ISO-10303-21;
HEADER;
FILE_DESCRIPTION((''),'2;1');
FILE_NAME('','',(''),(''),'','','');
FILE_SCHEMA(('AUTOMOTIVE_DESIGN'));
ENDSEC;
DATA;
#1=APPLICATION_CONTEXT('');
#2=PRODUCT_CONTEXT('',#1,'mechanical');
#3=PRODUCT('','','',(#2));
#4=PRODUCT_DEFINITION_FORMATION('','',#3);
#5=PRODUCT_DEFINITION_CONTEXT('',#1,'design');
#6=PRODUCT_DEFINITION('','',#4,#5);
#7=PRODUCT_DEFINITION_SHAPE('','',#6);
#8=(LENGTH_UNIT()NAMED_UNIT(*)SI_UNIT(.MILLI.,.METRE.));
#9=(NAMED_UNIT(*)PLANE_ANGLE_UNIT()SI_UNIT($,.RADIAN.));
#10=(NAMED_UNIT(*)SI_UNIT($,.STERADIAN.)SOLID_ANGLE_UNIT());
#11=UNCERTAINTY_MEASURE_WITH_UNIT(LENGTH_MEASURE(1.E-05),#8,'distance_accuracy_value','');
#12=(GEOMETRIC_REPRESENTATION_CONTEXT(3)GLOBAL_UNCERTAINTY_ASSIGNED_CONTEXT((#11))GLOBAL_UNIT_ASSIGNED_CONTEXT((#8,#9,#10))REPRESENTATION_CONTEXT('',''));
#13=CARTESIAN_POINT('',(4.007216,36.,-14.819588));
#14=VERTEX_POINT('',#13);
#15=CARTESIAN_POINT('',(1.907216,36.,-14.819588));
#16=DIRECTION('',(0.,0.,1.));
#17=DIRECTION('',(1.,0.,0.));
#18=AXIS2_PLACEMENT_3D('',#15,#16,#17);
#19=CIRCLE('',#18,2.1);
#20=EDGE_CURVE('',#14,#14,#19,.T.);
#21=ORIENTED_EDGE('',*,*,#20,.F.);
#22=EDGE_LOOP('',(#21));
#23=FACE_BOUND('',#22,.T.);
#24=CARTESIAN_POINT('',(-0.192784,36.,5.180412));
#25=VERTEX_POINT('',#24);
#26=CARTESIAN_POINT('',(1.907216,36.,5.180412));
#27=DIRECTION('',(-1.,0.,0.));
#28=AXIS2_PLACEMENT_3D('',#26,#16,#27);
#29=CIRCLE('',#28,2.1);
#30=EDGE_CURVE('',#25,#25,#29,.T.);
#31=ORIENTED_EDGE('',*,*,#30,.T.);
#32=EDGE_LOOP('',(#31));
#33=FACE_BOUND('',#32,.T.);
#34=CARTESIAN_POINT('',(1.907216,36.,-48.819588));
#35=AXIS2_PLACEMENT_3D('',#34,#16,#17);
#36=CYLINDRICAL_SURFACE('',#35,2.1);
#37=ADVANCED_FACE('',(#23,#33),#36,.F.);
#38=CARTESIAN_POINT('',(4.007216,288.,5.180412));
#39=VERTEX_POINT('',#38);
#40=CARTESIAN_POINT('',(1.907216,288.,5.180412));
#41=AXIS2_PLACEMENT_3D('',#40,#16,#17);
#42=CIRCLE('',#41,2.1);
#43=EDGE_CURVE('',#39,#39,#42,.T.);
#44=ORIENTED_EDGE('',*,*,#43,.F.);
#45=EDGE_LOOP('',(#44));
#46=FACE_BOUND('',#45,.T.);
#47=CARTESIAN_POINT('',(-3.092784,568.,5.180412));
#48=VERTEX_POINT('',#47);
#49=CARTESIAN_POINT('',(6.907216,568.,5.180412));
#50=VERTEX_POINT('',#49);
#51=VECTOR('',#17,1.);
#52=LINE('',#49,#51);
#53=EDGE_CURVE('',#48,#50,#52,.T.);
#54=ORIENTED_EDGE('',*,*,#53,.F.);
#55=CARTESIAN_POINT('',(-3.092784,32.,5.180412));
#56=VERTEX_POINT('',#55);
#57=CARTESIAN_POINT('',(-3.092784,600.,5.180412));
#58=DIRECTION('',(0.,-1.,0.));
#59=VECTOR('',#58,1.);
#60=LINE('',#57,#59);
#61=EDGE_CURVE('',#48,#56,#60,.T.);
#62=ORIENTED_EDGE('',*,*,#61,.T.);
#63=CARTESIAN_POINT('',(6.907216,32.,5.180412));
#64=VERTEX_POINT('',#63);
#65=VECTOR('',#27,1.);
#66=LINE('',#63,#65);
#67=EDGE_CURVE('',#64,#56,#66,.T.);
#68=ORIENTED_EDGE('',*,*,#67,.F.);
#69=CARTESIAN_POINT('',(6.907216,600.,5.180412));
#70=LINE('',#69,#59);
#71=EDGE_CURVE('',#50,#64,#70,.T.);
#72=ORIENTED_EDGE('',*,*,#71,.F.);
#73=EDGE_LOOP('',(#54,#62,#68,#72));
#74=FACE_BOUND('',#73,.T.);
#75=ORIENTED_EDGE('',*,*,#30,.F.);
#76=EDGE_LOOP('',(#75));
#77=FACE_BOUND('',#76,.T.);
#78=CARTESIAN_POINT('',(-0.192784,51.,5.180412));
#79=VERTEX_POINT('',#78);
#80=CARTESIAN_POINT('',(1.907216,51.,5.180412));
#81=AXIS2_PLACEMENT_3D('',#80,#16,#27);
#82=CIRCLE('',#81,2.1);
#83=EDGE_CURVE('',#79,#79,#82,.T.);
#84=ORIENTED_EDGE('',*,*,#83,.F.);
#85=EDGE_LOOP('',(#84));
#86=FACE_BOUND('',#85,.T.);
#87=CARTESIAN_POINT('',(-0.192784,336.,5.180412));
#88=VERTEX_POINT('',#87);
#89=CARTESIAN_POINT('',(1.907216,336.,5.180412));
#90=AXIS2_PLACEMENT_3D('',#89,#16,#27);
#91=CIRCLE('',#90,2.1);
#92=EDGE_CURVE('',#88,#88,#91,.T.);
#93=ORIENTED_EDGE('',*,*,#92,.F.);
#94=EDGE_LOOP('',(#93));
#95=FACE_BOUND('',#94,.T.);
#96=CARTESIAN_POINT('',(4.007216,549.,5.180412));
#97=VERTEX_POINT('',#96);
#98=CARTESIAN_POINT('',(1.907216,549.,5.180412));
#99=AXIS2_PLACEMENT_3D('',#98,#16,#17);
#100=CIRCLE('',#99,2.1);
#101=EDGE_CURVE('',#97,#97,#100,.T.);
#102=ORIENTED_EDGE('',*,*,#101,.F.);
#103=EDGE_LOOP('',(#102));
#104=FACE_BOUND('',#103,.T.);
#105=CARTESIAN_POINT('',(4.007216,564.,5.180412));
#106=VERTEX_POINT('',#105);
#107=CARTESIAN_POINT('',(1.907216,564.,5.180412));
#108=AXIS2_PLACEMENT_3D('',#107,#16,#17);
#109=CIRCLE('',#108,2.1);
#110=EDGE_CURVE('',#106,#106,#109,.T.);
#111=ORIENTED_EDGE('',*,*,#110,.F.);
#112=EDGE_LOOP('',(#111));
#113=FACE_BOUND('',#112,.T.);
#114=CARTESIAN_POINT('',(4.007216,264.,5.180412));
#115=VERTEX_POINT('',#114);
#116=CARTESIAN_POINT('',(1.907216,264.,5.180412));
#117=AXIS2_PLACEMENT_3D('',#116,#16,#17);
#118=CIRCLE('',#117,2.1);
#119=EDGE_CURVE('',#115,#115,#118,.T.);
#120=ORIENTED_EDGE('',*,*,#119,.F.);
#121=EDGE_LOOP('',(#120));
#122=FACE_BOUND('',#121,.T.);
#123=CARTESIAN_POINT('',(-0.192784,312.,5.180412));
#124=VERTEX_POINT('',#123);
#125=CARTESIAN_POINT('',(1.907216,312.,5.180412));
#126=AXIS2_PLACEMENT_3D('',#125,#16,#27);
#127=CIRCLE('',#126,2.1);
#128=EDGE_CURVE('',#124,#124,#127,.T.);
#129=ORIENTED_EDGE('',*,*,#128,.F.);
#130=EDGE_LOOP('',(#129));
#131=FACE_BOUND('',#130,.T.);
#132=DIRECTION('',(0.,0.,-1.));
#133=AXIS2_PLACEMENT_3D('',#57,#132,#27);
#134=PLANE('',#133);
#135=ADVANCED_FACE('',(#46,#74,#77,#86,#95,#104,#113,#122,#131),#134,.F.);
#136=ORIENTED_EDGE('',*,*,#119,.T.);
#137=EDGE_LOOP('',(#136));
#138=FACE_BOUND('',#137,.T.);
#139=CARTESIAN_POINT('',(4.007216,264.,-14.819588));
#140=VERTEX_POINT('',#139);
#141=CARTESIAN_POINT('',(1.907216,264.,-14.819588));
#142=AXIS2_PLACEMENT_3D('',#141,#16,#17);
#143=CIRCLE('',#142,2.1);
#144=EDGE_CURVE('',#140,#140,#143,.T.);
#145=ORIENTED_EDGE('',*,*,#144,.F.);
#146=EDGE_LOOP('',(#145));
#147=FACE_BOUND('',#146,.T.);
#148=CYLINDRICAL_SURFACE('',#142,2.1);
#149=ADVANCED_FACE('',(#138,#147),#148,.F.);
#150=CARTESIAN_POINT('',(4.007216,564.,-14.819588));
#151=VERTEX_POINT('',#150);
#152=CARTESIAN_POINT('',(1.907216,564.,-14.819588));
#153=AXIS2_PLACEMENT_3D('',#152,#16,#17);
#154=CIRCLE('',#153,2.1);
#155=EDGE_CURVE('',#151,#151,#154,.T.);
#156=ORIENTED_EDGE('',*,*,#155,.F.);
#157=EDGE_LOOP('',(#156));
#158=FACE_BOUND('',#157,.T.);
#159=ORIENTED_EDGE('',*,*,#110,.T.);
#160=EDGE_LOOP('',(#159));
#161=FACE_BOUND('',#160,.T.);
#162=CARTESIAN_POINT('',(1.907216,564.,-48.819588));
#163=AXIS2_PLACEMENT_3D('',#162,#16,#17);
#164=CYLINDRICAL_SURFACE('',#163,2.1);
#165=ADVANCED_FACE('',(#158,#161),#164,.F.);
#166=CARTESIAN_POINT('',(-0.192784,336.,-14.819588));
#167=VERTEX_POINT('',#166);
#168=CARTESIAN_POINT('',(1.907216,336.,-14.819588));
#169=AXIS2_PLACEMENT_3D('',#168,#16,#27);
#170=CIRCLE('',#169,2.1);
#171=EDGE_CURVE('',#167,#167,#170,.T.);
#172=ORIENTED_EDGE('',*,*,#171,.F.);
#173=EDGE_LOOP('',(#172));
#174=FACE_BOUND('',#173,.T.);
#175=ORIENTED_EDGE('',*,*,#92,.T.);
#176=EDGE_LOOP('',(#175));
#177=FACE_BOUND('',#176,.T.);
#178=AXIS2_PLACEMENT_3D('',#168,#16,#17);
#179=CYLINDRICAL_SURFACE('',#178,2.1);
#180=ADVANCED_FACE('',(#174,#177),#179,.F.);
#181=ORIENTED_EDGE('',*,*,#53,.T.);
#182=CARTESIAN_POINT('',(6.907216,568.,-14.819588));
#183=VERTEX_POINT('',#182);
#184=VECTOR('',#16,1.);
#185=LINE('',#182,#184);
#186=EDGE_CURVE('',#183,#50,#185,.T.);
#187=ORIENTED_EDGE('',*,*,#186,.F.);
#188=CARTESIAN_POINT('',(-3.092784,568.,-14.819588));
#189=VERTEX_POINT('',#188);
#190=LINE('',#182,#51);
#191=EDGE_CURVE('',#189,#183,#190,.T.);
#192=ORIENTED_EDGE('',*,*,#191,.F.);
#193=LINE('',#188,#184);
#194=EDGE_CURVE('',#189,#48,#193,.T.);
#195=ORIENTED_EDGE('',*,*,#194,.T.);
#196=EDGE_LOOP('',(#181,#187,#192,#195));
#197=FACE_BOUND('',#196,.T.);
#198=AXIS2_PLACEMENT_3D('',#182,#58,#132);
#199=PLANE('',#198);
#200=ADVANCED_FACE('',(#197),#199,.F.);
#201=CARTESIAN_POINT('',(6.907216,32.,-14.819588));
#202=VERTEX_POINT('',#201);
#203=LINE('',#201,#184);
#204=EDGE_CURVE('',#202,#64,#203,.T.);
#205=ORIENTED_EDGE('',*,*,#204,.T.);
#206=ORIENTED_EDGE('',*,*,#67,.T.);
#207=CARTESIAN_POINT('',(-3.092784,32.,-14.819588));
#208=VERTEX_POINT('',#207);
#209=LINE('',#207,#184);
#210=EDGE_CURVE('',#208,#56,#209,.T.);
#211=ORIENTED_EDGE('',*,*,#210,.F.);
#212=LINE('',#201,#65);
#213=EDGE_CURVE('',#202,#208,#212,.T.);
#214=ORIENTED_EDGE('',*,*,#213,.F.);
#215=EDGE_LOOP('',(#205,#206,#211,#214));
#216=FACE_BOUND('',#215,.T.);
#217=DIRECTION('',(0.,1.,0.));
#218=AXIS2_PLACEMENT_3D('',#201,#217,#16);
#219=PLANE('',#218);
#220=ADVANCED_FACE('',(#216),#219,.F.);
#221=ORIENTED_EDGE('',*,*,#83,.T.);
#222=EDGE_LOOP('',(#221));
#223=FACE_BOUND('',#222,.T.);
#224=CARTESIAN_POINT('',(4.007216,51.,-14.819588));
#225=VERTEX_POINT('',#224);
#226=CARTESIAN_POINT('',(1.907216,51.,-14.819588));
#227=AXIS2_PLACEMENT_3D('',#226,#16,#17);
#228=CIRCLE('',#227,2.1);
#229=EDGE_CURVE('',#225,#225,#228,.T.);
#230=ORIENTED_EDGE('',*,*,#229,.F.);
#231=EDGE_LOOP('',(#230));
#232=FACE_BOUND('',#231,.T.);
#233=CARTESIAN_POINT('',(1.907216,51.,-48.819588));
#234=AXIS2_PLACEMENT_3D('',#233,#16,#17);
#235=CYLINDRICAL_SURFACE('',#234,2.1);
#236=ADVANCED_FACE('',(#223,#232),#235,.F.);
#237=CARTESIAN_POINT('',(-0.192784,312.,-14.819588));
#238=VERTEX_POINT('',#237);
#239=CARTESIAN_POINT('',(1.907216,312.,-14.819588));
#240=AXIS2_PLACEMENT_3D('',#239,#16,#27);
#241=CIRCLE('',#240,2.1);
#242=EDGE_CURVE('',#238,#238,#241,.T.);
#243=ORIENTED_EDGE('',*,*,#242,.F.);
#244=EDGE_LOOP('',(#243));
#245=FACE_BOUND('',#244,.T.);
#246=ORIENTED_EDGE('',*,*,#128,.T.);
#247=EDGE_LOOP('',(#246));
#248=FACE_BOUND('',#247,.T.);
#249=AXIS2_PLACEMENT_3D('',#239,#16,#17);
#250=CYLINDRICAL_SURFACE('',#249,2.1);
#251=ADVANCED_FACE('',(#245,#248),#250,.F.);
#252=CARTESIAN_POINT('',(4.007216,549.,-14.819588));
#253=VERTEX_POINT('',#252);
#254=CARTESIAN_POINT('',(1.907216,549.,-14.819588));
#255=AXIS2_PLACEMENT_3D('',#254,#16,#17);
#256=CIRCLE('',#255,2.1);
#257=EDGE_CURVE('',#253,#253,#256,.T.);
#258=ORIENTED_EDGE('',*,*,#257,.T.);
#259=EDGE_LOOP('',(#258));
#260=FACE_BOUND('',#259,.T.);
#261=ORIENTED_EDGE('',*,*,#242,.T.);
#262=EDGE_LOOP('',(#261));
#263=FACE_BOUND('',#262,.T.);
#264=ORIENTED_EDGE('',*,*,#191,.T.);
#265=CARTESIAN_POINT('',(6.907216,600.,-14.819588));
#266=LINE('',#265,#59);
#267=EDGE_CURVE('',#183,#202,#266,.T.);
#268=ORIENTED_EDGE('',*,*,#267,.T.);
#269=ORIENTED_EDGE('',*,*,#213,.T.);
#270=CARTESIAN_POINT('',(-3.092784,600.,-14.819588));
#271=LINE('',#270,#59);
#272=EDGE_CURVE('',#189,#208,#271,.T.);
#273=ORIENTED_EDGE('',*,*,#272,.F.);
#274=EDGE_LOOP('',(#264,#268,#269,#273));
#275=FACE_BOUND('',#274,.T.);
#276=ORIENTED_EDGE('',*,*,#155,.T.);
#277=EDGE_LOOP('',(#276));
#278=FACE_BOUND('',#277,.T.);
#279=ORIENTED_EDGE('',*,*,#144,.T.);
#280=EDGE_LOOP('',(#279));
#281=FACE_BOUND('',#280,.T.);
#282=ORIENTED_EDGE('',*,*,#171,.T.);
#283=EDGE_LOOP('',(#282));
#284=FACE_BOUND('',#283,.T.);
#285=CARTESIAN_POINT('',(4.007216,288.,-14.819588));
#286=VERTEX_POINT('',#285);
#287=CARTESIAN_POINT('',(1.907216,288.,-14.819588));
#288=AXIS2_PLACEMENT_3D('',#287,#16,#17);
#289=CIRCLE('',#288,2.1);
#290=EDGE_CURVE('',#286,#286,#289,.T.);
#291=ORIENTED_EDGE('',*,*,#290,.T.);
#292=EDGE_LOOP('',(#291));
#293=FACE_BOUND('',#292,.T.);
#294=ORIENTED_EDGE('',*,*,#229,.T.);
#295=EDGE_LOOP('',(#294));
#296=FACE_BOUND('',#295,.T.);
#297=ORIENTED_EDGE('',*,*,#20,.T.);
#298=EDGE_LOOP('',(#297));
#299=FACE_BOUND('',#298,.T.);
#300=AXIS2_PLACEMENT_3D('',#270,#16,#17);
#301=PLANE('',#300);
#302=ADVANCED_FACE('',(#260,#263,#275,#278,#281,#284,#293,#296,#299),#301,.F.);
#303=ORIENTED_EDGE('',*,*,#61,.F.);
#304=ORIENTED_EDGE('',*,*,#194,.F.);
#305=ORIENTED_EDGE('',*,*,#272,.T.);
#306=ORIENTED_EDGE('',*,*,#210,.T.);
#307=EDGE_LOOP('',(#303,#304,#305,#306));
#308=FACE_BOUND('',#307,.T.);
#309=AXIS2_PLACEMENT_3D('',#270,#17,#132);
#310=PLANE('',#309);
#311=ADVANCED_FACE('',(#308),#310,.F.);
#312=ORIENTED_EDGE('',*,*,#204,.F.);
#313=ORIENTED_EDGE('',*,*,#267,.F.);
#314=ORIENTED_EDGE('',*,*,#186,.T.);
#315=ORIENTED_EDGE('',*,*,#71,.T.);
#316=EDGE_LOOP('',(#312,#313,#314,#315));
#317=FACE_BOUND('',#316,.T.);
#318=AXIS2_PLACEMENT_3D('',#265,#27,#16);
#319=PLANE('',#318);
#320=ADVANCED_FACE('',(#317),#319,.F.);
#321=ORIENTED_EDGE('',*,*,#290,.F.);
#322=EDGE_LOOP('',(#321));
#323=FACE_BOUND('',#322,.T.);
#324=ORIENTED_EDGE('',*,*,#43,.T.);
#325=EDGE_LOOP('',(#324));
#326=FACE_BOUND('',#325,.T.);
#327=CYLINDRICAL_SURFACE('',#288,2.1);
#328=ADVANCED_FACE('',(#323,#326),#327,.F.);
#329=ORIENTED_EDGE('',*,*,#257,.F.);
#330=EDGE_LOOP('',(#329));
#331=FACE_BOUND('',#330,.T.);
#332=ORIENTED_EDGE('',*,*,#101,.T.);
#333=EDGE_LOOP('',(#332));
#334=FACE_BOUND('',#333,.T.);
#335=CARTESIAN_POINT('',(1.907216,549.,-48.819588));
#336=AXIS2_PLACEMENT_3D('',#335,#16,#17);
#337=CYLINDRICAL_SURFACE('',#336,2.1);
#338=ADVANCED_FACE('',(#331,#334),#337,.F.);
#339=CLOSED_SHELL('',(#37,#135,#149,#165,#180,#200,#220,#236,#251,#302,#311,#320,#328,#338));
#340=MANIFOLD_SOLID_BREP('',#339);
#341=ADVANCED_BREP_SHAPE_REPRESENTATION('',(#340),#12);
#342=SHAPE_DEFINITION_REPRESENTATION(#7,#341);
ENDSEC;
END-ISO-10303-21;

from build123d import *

# Parameters (mm, degrees)
SKETCH_1_W          = 10
SKETCH_1_H          = 20
EXTRUDE_1_DEPTH     = 600
SKETCH_6_W          = 20
SKETCH_6_H          = 10
CUT_EXTRUDE_4_DEPTH = 50
SKETCH_7_W          = 10
SKETCH_7_H          = 10
CUT_EXTRUDE_5_DEPTH = 82
SKETCH_2_R          = 2.1
CUT_EXTRUDE_6_DEPTH = 591.379293031
SKETCH_8_R          = 2.1
CUT_EXTRUDE_7_DEPTH = 54
SKETCH_9_W          = 10
SKETCH_9_H          = 22
CUT_EXTRUDE_8_DEPTH = 591.379293031


with BuildPart() as part:
    # 草图1 → 凸台-拉伸1 (new body)
    with BuildSketch(Plane(origin=(0, 0, 0), x_dir=(1, 0, 0), z_dir=(0, 1, 0))):
        with Locations((1.907216495, 4.819587629)):
            Rectangle(SKETCH_1_W, SKETCH_1_H)
    extrude(amount=EXTRUDE_1_DEPTH)

    # 草图6 → 切除-拉伸4 (cut)
    with BuildSketch(Plane(origin=(0, 0, -14.819587629), x_dir=(-1, 0, 0), z_dir=(0, 0, -1))):
        with Locations((3.092783505, 595)):
            Rectangle(SKETCH_6_W, SKETCH_6_H)
    extrude(amount=-CUT_EXTRUDE_4_DEPTH, mode=Mode.SUBTRACT)

    # 草图7 → 切除-拉伸5 (cut)
    with BuildSketch(Plane(origin=(0, 0, -14.819587629), x_dir=(-1, 0, 0), z_dir=(0, 0, -1))):
        with Locations((-1.907216495, 5)):
            Rectangle(SKETCH_7_W, SKETCH_7_H)
    extrude(amount=-CUT_EXTRUDE_5_DEPTH, mode=Mode.SUBTRACT)

    # 草图2 → 切除-拉伸6 (cut, through all)
    with BuildSketch(Plane.XY.offset(5.180412371)):
        with Locations((1.907216495, 264)):
            Circle(SKETCH_2_R)
        with Locations((1.907216495, 288)):
            Circle(SKETCH_2_R)
        with Locations(Location((1.907216495, 312, 0), (0, 0, 180))):
            Circle(SKETCH_2_R)
        with Locations(Location((1.907216495, 336, 0), (0, 0, 180))):
            Circle(SKETCH_2_R)
    extrude(amount=-CUT_EXTRUDE_6_DEPTH, mode=Mode.SUBTRACT)

    # 草图8 → 切除-拉伸7 (cut)
    with BuildSketch(Plane.XY.offset(5.180412371)):
        with Locations((1.907216495, 564)):
            Circle(SKETCH_8_R)
        with Locations((1.907216495, 549)):
            Circle(SKETCH_8_R)
        with Locations((1.907216495, 36)):
            Circle(SKETCH_8_R)
        with Locations((1.907216495, 51)):
            Circle(SKETCH_8_R)
        with Locations((1.907216495, 583)):
            Circle(SKETCH_8_R)
        with Locations((1.907216495, 17)):
            Circle(SKETCH_8_R)
    extrude(amount=-CUT_EXTRUDE_7_DEPTH, mode=Mode.SUBTRACT)

    # 草图9 → 切除-拉伸8 (cut, through all)
    with BuildSketch(Plane.XY.offset(5.180412371)):
        with Locations((1.907216495, 21)):
            Rectangle(SKETCH_9_W, SKETCH_9_H)
        with Locations((1.907216495, 579)):
            Rectangle(SKETCH_9_W, SKETCH_9_H)
    extrude(amount=-CUT_EXTRUDE_8_DEPTH, mode=Mode.SUBTRACT)


solid = part.part
